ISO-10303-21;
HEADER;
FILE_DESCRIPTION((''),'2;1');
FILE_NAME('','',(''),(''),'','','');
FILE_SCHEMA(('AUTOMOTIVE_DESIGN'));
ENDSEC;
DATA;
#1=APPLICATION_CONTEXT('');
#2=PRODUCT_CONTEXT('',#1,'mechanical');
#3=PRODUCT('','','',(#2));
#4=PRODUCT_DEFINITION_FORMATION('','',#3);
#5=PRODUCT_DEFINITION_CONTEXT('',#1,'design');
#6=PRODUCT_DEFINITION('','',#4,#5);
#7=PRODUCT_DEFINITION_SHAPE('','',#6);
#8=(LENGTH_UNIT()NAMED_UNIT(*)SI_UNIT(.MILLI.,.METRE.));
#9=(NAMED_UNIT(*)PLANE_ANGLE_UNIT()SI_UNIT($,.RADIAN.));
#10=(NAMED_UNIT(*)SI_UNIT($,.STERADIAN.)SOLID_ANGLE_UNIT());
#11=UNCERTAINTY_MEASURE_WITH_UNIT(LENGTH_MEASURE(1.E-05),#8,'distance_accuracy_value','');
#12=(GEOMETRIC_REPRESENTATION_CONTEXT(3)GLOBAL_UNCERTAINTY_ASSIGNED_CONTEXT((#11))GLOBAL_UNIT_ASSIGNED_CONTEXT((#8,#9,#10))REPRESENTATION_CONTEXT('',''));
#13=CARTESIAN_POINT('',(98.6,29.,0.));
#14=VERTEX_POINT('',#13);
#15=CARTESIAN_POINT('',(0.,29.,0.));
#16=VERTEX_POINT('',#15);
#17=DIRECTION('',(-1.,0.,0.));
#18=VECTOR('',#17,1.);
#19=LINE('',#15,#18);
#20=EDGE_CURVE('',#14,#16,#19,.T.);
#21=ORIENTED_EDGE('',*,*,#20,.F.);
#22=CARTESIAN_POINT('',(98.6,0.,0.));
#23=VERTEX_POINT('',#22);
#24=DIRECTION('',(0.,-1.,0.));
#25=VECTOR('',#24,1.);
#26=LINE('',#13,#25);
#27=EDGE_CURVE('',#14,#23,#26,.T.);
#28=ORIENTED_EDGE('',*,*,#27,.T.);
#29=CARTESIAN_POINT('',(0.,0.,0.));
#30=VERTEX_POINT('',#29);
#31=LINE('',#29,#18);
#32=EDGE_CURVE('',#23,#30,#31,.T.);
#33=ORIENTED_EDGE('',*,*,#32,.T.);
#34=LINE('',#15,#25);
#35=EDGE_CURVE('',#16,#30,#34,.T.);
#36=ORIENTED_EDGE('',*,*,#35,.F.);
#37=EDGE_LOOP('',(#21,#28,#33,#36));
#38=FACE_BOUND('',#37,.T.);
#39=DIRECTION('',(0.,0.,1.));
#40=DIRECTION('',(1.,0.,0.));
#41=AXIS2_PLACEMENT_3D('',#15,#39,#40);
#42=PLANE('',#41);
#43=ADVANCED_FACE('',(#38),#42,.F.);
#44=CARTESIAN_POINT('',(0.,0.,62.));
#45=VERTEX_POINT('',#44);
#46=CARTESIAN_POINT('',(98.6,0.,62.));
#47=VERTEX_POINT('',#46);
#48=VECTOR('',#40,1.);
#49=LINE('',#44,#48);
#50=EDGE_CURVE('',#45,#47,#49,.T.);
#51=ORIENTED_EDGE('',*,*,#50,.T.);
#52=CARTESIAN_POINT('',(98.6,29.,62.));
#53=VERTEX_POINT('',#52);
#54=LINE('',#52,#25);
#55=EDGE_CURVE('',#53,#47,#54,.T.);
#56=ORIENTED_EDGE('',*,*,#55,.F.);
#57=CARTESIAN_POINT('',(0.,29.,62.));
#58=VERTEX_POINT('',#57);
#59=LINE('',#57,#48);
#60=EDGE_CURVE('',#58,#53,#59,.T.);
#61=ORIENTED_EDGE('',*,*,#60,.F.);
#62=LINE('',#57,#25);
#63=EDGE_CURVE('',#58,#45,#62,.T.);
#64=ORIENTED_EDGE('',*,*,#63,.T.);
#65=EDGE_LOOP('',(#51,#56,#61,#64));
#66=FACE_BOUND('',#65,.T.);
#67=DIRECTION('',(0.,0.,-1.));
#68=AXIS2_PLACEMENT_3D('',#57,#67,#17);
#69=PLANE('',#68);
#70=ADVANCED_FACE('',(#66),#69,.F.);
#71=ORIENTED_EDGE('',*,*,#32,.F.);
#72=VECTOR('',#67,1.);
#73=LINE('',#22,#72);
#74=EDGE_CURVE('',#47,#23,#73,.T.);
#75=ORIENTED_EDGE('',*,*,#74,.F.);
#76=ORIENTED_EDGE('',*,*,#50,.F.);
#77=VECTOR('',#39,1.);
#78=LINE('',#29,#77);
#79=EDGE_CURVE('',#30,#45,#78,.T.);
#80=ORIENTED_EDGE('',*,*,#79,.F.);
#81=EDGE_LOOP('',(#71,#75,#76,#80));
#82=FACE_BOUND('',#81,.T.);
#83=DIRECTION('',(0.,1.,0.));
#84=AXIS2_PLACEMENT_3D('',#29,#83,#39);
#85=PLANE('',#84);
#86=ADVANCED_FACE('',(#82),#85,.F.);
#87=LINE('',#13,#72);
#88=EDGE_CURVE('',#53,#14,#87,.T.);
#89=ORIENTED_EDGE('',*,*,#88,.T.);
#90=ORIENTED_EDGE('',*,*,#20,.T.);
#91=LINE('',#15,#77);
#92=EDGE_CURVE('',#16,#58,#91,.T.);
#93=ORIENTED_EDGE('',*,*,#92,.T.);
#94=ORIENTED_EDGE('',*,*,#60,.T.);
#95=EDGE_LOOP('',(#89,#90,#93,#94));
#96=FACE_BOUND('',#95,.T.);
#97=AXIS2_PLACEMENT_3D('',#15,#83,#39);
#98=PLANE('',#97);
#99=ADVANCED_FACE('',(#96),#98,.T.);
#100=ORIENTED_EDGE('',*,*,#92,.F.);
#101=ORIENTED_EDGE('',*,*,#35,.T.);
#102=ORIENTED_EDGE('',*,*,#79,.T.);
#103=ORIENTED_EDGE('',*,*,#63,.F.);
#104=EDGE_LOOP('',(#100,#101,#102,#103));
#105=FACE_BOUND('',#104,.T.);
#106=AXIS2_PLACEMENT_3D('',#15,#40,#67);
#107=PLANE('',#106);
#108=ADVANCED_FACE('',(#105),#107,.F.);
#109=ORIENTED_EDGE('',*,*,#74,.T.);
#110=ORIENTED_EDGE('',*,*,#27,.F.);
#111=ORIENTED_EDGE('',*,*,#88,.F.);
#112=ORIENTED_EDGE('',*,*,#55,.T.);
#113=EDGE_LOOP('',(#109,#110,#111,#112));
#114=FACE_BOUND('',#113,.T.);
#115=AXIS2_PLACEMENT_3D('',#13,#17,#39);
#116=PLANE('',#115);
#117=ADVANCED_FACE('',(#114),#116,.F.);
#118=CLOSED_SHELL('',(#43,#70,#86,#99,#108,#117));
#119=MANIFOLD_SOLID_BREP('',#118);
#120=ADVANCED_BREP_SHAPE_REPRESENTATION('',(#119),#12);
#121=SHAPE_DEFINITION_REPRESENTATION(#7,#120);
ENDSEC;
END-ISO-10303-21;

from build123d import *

# Parameters (mm, degrees)
SKETCH_1_W      = 98.6
SKETCH_1_H      = 62
EXTRUDE_1_DEPTH = 29


with BuildPart() as part:
    # 草图1 → 凸台-拉伸1 (new body)
    with BuildSketch(Plane(origin=(0, 0, 0), x_dir=(1, 0, 0), z_dir=(0, 1, 0))):
        with Locations((49.3, -31)):
            Rectangle(SKETCH_1_W, SKETCH_1_H)
    extrude(amount=EXTRUDE_1_DEPTH)


solid = part.part
